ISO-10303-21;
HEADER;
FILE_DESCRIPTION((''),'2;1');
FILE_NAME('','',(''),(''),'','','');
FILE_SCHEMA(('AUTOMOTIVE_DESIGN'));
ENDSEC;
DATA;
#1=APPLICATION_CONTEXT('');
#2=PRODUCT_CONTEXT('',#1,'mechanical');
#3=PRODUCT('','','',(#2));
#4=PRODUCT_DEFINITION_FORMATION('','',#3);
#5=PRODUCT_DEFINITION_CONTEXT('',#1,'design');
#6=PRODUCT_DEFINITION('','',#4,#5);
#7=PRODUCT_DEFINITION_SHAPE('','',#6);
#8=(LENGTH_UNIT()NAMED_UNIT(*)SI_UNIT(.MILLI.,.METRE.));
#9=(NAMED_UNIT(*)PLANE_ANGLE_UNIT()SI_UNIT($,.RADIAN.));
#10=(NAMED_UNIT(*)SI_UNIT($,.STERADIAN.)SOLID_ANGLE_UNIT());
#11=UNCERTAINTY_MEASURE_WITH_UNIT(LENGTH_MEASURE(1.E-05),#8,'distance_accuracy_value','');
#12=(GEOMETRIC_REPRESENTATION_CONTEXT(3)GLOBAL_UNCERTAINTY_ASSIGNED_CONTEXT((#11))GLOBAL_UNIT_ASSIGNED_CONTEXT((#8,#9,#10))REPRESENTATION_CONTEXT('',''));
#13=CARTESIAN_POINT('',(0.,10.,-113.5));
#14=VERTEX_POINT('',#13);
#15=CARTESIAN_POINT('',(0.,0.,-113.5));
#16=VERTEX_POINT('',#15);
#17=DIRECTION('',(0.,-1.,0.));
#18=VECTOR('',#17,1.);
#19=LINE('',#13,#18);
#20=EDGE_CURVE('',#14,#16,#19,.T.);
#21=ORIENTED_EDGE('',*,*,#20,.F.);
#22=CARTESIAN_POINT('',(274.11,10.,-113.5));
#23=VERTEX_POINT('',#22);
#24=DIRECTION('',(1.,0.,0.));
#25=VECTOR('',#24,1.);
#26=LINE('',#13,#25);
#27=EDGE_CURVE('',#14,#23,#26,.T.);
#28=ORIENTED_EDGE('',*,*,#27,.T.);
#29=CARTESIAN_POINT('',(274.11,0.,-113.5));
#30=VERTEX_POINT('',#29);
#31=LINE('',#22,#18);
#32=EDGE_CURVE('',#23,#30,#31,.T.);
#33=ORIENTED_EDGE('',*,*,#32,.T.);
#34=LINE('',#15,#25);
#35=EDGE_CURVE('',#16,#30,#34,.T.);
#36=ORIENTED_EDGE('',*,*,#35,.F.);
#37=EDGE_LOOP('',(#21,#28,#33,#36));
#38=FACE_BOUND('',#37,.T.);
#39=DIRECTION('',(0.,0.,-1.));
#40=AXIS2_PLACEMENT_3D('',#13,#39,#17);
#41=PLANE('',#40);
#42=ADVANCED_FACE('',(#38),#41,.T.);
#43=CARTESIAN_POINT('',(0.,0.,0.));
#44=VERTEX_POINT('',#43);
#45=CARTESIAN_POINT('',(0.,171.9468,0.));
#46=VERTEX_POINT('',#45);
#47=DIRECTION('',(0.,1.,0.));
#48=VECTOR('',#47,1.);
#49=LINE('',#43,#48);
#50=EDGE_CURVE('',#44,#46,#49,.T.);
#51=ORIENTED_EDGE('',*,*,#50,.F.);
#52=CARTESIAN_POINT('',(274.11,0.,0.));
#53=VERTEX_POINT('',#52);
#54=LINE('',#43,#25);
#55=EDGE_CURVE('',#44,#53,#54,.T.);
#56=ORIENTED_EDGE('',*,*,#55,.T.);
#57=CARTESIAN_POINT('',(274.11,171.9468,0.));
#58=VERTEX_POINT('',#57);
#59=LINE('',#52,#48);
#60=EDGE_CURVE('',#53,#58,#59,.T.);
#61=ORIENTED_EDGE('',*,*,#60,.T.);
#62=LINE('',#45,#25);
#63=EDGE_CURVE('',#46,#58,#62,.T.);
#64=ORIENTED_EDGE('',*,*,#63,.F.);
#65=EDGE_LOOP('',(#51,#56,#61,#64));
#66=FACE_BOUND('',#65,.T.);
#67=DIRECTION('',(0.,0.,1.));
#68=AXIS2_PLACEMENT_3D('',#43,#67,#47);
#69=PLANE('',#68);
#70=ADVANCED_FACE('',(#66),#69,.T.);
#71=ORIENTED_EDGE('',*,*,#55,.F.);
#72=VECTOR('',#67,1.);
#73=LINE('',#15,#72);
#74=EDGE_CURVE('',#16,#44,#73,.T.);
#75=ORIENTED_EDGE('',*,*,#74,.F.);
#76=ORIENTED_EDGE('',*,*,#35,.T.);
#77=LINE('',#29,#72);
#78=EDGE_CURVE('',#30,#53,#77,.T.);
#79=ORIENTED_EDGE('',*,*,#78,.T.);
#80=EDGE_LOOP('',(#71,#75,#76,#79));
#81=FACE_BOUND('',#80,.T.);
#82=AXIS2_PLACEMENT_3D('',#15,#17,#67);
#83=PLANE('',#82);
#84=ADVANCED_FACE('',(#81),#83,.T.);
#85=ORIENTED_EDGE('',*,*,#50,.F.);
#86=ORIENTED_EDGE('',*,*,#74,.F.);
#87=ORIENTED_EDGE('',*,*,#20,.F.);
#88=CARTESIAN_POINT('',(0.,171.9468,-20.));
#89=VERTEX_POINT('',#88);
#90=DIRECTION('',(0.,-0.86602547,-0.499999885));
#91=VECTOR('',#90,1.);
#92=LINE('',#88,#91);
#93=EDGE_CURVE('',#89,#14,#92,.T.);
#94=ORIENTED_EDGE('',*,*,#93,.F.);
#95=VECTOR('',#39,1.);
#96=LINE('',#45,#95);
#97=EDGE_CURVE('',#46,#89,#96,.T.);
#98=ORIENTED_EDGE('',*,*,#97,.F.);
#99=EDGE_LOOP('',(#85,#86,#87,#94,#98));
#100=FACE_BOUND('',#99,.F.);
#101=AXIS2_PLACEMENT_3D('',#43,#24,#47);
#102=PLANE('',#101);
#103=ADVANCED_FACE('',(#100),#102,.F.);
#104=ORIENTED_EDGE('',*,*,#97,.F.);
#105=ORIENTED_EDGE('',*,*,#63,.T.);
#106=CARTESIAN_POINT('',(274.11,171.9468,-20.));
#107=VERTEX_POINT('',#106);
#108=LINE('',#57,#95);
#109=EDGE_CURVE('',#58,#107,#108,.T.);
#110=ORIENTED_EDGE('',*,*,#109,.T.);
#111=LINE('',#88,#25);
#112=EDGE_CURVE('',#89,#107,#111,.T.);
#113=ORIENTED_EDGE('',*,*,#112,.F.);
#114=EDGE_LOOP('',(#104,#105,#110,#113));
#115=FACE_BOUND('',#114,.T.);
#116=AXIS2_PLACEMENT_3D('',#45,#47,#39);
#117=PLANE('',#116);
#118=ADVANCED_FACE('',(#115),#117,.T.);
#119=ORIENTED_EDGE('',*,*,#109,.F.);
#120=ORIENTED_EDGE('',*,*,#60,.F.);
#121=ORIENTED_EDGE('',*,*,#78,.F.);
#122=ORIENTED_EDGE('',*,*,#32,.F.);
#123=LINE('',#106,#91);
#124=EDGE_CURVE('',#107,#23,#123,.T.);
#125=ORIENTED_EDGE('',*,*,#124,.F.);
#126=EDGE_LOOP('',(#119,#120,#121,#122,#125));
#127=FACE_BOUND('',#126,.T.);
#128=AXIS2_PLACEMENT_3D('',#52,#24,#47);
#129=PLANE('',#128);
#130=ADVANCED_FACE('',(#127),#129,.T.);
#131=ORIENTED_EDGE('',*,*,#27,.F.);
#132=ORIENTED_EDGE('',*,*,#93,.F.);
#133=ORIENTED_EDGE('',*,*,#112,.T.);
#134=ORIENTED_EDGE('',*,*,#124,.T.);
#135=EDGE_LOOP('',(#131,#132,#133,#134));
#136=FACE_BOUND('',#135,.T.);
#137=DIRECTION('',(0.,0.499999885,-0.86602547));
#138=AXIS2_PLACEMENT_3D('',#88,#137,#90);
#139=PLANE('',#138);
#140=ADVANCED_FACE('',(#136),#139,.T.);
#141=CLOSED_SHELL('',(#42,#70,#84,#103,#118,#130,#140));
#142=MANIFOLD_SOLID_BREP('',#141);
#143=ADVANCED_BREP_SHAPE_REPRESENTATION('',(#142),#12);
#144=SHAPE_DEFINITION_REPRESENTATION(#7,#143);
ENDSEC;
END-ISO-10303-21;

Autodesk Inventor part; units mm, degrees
ref_plane "YZ Plane" through (0, 0, 0) normal (1, 0, 0) x (0, 1, 0)
ref_plane "XZ Plane" through (0, 0, 0) normal (0, 1, 0) x (-1, 0, 0)
ref_plane "XY Plane" through (0, 0, 0) normal (0, 0, 1) x (1, 0, 0)
sketch "Sketch1" plane through (0, 0, 0) normal (1, 0, 0) x (0, 1, 0)
  line L0 (0, 0) -> (171.9468, 0)
  line L1 (171.9468, 0) -> (171.9468, -20)
  line L2 (171.9468, -20) -> (10, -113.5)
  line L3 (10, -113.5) -> (0, -113.5)
  line L4 (0, -113.5) -> (0, 0)
  dimension "d0" = 187
  dimension "d1" = 60
  dimension "d2" = 10
  dimension "d3" = 20
extrude "Extrusion1" add sketch "Sketch1" along normal blind 274.11
properties part number "case1_3DPrint"
